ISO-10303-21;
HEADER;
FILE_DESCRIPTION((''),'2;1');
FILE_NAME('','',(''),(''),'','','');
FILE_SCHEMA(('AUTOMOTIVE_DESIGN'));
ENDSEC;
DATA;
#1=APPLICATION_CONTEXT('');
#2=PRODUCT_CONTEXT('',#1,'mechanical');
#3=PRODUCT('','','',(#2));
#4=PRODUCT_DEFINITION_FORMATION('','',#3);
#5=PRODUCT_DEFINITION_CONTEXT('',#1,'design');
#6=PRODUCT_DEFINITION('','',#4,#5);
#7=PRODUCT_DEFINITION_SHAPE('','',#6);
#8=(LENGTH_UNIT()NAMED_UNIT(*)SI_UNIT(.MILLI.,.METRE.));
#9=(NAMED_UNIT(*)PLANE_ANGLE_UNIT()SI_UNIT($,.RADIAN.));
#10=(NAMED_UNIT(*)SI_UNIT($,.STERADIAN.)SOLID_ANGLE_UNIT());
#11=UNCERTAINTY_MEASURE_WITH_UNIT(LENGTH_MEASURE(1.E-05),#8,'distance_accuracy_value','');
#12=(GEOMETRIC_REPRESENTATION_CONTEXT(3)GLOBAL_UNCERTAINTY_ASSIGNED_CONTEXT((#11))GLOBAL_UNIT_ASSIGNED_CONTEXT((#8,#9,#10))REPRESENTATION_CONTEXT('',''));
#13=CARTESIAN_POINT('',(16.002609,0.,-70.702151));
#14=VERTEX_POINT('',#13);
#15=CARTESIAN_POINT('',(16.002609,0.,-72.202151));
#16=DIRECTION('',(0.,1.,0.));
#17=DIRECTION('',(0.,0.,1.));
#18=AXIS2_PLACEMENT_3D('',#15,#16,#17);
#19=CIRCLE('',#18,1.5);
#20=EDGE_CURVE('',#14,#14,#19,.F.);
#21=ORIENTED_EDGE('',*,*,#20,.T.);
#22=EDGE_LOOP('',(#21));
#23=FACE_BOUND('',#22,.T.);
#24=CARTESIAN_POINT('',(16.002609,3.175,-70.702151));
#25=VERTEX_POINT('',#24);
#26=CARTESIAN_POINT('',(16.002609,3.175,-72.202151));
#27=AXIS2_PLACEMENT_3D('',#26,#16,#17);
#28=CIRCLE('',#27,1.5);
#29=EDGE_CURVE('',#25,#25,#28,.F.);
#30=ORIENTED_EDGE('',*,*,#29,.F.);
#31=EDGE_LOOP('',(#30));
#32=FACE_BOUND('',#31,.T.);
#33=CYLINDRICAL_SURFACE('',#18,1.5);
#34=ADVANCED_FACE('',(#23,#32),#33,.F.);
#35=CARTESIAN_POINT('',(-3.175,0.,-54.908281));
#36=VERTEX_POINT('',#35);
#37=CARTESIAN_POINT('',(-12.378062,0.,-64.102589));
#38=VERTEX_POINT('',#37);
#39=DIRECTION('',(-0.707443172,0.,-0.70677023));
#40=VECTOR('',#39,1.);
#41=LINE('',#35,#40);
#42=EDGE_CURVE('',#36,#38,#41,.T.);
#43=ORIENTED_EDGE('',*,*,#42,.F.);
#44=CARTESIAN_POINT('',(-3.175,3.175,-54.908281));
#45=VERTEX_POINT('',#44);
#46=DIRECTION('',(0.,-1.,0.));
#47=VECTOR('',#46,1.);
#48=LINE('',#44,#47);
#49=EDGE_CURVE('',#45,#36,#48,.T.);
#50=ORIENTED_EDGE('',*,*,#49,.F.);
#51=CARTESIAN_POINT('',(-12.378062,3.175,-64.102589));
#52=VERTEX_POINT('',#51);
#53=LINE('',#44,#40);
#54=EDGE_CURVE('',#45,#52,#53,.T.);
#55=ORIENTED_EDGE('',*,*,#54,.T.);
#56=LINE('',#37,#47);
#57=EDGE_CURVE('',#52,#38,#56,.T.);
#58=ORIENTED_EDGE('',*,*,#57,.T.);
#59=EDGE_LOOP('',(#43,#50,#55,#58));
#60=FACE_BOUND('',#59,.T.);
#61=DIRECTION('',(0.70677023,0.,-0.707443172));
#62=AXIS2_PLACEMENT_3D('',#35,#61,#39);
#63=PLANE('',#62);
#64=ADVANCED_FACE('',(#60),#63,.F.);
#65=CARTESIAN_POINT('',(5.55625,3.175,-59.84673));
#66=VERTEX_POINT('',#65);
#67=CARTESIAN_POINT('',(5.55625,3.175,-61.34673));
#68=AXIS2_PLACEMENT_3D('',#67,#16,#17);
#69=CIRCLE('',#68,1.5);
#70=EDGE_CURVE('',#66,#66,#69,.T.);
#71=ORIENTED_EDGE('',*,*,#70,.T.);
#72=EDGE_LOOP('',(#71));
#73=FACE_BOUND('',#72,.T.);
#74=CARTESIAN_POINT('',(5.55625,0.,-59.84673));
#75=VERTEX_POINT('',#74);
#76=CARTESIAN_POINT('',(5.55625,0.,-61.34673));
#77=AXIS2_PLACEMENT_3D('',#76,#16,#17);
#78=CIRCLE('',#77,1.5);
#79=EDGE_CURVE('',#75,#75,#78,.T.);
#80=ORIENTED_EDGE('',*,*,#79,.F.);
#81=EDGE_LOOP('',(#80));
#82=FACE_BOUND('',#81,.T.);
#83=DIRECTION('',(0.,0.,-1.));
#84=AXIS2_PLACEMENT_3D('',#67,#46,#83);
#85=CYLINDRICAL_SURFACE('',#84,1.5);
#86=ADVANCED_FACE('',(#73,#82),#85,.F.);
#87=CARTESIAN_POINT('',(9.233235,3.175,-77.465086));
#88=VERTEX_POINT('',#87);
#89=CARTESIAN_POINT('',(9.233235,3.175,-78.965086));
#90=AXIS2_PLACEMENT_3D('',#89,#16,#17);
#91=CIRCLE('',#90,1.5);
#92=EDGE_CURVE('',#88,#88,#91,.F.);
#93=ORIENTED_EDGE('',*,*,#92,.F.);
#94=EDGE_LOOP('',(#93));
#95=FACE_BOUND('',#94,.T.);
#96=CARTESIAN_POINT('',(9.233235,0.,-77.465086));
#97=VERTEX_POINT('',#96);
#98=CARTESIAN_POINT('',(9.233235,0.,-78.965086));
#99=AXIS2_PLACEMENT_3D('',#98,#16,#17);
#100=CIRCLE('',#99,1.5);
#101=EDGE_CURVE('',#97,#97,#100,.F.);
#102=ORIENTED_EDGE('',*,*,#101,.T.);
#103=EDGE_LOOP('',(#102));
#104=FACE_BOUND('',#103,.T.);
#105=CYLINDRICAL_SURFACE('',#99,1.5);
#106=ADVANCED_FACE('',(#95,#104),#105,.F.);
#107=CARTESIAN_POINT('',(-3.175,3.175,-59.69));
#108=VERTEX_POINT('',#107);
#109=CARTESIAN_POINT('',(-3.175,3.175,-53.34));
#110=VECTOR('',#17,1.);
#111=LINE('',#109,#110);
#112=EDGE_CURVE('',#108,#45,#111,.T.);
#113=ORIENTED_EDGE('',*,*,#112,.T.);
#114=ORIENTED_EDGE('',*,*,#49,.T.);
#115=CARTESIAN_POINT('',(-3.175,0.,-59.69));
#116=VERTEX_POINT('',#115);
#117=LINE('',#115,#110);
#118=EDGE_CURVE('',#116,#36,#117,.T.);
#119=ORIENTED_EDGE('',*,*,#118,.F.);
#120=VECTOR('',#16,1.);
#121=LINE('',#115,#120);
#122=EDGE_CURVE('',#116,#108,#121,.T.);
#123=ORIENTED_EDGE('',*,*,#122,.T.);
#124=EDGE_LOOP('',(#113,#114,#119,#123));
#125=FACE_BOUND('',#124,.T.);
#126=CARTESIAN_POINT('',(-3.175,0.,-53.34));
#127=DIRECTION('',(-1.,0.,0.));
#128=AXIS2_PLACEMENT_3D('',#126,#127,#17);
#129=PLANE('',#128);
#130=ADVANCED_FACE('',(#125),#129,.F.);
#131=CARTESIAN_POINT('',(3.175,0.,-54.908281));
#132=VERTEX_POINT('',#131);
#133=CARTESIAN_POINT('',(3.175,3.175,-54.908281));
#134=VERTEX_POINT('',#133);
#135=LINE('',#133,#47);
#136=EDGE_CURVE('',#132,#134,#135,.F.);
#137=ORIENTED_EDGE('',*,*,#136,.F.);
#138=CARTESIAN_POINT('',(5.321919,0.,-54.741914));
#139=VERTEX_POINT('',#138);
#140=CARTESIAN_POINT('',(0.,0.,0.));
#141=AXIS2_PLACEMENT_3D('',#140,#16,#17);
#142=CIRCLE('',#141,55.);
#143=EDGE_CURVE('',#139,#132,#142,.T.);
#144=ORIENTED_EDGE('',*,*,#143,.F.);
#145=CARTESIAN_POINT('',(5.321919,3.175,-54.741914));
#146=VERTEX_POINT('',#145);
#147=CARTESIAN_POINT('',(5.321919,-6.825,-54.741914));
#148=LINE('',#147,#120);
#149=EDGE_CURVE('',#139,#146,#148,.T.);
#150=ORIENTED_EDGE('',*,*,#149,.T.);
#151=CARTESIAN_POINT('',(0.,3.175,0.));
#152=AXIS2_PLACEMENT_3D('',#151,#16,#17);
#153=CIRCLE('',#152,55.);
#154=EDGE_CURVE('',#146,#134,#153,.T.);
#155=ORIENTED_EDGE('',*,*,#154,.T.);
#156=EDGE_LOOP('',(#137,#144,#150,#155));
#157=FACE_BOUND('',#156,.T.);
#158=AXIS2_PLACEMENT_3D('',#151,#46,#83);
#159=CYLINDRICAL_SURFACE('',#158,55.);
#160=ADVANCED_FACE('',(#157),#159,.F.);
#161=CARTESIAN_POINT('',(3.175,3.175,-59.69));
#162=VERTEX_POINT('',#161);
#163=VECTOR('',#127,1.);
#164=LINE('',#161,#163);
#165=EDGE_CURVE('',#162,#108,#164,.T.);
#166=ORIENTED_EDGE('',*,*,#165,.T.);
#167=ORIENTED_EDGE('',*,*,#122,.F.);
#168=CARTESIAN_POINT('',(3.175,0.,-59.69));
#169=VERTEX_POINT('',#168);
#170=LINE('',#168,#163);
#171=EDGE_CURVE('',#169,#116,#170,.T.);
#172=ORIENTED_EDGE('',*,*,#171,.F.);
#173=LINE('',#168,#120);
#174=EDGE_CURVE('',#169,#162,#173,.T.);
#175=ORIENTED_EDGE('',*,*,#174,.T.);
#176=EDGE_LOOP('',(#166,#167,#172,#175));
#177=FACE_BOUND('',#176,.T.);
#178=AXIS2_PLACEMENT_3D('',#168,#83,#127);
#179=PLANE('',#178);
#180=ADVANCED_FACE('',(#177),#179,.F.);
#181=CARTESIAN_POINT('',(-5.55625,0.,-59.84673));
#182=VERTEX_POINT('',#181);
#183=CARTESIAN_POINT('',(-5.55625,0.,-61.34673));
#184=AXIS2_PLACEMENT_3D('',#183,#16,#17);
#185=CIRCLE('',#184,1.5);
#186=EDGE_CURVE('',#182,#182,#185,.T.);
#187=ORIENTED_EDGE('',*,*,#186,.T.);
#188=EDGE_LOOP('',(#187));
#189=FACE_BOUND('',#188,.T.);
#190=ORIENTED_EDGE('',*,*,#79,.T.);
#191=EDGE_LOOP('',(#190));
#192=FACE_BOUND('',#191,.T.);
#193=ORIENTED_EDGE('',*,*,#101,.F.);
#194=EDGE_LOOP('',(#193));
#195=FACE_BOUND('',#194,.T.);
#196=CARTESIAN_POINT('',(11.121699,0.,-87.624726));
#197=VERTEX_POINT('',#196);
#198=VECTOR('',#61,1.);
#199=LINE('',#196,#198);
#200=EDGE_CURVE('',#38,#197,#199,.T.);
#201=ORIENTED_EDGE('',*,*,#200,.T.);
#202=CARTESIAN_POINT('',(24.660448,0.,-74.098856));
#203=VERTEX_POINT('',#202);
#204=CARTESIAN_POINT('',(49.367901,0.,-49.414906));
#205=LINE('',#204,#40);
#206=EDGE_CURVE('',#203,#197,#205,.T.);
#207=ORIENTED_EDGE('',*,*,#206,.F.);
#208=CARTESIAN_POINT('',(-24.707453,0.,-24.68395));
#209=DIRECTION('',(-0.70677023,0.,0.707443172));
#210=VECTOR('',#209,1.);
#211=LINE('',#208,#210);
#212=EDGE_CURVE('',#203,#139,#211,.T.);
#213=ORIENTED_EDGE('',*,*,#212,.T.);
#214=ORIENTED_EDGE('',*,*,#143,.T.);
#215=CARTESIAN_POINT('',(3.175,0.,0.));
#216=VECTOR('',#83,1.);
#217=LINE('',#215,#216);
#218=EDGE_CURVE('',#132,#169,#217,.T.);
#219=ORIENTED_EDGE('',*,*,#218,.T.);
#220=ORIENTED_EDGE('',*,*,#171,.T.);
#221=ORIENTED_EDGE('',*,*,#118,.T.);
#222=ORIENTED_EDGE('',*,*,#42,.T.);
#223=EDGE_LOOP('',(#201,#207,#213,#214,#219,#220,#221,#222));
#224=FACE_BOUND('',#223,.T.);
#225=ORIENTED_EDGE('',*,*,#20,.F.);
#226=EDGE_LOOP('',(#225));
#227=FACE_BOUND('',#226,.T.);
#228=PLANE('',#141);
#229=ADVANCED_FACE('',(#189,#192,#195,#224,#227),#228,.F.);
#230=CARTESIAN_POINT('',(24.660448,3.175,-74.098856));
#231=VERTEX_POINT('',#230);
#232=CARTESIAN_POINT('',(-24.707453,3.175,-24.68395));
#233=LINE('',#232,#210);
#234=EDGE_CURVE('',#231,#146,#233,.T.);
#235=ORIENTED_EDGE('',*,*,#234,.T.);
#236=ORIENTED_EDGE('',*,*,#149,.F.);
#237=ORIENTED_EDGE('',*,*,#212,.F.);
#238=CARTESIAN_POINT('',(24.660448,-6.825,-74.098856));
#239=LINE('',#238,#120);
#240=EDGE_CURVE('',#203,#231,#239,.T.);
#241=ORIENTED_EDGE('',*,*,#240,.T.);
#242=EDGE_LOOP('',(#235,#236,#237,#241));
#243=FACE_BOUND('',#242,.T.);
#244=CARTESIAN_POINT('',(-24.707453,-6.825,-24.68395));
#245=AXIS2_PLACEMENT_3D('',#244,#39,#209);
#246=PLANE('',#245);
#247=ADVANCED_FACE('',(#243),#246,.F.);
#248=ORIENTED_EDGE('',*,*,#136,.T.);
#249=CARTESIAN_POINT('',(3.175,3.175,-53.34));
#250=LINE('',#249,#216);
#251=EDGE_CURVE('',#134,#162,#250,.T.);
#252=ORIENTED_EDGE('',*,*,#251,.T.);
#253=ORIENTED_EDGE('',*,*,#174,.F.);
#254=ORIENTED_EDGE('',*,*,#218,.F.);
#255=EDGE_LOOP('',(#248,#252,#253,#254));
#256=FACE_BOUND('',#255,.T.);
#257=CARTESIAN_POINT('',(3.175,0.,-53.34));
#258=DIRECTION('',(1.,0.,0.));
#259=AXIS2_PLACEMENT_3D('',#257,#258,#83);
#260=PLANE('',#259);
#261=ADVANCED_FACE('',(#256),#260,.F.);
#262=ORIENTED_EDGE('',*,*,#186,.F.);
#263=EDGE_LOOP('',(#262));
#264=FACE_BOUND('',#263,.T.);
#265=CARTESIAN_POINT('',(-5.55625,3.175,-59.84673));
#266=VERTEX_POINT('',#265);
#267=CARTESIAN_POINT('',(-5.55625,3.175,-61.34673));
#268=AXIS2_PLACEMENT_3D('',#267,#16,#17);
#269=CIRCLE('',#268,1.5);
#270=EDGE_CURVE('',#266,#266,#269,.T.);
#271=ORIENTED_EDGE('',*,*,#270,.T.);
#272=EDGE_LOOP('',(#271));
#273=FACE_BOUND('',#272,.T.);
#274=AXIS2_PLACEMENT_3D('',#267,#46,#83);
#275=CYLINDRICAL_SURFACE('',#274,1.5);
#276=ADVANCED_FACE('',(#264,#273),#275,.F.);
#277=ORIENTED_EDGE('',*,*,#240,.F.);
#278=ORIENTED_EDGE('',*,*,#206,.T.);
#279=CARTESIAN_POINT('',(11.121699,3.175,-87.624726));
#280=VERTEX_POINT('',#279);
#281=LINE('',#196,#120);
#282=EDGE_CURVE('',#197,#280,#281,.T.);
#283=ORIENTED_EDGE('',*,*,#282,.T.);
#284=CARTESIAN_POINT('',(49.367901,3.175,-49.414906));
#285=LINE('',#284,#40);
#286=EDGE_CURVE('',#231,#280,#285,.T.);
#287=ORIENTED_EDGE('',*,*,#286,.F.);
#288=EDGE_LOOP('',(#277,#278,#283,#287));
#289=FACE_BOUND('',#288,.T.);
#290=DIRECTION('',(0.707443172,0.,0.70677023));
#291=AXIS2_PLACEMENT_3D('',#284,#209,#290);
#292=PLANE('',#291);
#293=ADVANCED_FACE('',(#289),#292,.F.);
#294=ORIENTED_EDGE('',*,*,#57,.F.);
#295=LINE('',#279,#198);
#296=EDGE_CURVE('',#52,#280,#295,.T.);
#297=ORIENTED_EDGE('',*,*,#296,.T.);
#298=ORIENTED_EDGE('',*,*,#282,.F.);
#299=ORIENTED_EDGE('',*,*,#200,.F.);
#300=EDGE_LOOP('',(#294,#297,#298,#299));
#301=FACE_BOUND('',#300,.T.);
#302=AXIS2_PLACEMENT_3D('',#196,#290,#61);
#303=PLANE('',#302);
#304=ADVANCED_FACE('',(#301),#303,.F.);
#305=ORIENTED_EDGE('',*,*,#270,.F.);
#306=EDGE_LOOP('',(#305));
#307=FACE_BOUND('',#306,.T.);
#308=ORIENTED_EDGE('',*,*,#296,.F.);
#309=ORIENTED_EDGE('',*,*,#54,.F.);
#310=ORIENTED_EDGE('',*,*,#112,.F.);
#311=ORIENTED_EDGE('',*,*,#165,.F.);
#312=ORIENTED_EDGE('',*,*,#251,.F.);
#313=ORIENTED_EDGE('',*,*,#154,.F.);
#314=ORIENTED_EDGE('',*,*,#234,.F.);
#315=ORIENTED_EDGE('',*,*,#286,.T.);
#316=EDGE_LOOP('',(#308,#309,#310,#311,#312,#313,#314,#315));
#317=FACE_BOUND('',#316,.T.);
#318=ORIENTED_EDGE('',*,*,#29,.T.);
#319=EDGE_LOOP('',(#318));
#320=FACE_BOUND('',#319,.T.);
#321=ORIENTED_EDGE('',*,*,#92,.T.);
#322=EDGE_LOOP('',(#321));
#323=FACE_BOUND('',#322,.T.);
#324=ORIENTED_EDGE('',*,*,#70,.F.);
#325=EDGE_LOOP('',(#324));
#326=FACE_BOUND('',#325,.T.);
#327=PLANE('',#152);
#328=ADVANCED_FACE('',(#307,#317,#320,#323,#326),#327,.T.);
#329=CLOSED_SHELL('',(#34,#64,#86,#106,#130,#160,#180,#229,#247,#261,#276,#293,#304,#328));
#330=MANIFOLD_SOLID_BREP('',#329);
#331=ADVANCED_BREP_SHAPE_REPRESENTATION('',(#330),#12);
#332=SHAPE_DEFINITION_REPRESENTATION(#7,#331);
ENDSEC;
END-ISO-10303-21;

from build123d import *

# Parameters (mm, degrees)
SKETCH1_R           = 1.5
SKETCH1_R_2         = 55
BOSS_EXTRUDE1_DEPTH = 3.175
CUT_EXTRUDE3_DEPTH  = 140.736059076
CUT_EXTRUDE4_START  = -10
SKETCH3_R           = 1.5
CUT_EXTRUDE4_DEPTH  = 10
CUT_EXTRUDE5_DEPTH  = 140.736059076
CUT_EXTRUDE6_DEPTH  = 140.736059076
SKETCH6_R           = 1.5
CUT_EXTRUDE7_DEPTH  = 124.953233311
SKETCH7_W           = 69.762043991
SKETCH7_H           = 61.208981149
CUT_EXTRUDE8_DEPTH  = 100


with BuildPart() as part:
    # Sketch1 → Boss-Extrude1 (new body)
    with BuildSketch(Plane(origin=(0, 0, 0), x_dir=(1, 0, 0), z_dir=(0, 1, 0))):
        Polygon((0.047005036, -98.782806148), (-98.782806148, -0.047005036), (-0.047005036, 98.782806148), (98.782806148, 0.047005036), align=None)
        with Locations(Location((-61.346730494, 5.55625, 0), (0, 0, 270))):
            Circle(SKETCH1_R, mode=Mode.SUBTRACT)
        with Locations(Location((-61.346730494, -5.55625, 0), (0, 0, 270))):
            Circle(SKETCH1_R, mode=Mode.SUBTRACT)
        with Locations(Location((-5.55625, -61.346730494, 0), (0, 0, 270))):
            Circle(SKETCH1_R, mode=Mode.SUBTRACT)
        with Locations(Location((5.55625, -61.346730494, 0), (0, 0, 270))):
            Circle(SKETCH1_R, mode=Mode.SUBTRACT)
        with Locations(Location((61.346730494, -5.55625, 0), (0, 0, 270))):
            Circle(SKETCH1_R, mode=Mode.SUBTRACT)
        with Locations(Location((61.346730494, 5.55625, 0), (0, 0, 270))):
            Circle(SKETCH1_R, mode=Mode.SUBTRACT)
        with Locations(Location((5.55625, 61.346730494, 0), (0, 0, 270))):
            Circle(SKETCH1_R, mode=Mode.SUBTRACT)
        with Locations(Location((-5.55625, 61.346730494, 0), (0, 0, 270))):
            Circle(SKETCH1_R, mode=Mode.SUBTRACT)
        with Locations(Location((0, 0, 0), (0, 0, 270))):
            Circle(SKETCH1_R_2, mode=Mode.SUBTRACT)
    extrude(amount=BOSS_EXTRUDE1_DEPTH)

    # Sketch2 → Cut-Extrude3 (cut, through all)
    with BuildSketch(Plane(origin=(0, 3.175, 0), x_dir=(1, 0, 0), z_dir=(0, 1, 0))):
        Polygon((3.175, 53.34), (3.175, 59.69), (-3.175, 59.69), (-3.175, 53.34), (-3.175, 52.244537665), (3.175, 52.244537665), align=None)
        Polygon((53.34, -3.175), (59.69, -3.175), (59.69, 3.175), (53.34, 3.175), (52.244537665, 3.175), (52.244537665, -3.175), align=None)
        Polygon((-3.175, -53.34), (-3.175, -59.69), (3.175, -59.69), (3.175, -53.34), (3.175, -52.244537665), (-3.175, -52.244537665), align=None)
        Polygon((-53.34, 3.175), (-59.69, 3.175), (-59.69, -3.175), (-53.34, -3.175), (-52.244537665, -3.175), (-52.244537665, 3.175), align=None)
    extrude(amount=-CUT_EXTRUDE3_DEPTH, mode=Mode.SUBTRACT)

    # Sketch3 → Cut-Extrude4 (cut)
    # profile 1 of 3: a face of its own
    with BuildSketch(Plane(origin=(0, 3.175, 0), x_dir=(1, 0, 0), z_dir=(0, 1, 0)).offset(CUT_EXTRUDE4_START)):
        with BuildLine():
            Line((38.872362643, 38.909374482), (49.367900556, 49.414905592))
            Line((49.367900556, 49.414905592), (24.66044776, 74.09885587))
            Line((24.66044776, 74.09885587), (5.321919094, 54.741914263))
            ThreePointArc((5.321919094, 54.741914263), (23.472344653, 49.739813394), (38.872362643, 38.909374482))
        make_face()
    # profile 2 of 3: a face of its own
    with BuildSketch(Plane(origin=(0, 3.175, 0), x_dir=(1, 0, 0), z_dir=(0, 1, 0)).offset(CUT_EXTRUDE4_START)):
        with BuildLine():
            Line((-49.367900556, -49.414905592), (-38.872362643, -38.909374482))
            ThreePointArc((-38.872362643, -38.909374482), (-49.717452606, -23.519670626), (-54.736824686, -5.374013707))
            Line((-54.736824686, -5.374013707), (-74.075353352, -24.730955314))
            Line((-74.075353352, -24.730955314), (-49.367900556, -49.414905592))
        make_face()
    # profile 3 of 3: a face of its own
    with BuildSketch(Plane(origin=(0, 3.175, 0), x_dir=(1, 0, 0), z_dir=(0, 1, 0)).offset(CUT_EXTRUDE4_START)):
        with BuildLine():
            Line((98.782806148, 0.047005036), (49.367900556, 49.414905592))
            Line((49.367900556, 49.414905592), (38.872362643, 38.909374482))
            ThreePointArc((38.872362643, 38.909374482), (50.179066182, 22.518022052), (54.908281479, 3.175))
            Line((54.908281479, 3.175), (59.69, 3.175))
            Line((59.69, 3.175), (59.69, -3.175))
            Line((59.69, -3.175), (54.908281479, -3.175))
            ThreePointArc((54.908281479, -3.175), (38.890872965, -38.890872965), (3.175, -54.908281479))
            Line((3.175, -54.908281479), (3.175, -59.69))
            Line((3.175, -59.69), (-3.175, -59.69))
            Line((-3.175, -59.69), (-3.175, -54.908281479))
            ThreePointArc((-3.175, -54.908281479), (-22.494142184, -50.189775527), (-38.872362643, -38.909374482))
            Line((-38.872362643, -38.909374482), (-49.367900556, -49.414905592))
            Line((-49.367900556, -49.414905592), (0.047005036, -98.782806148))
            Line((0.047005036, -98.782806148), (98.782806148, 0.047005036))
        make_face()
        with Locations((-5.55625, -61.346730494)):
            Circle(SKETCH3_R, mode=Mode.SUBTRACT)
        with Locations((5.55625, -61.346730494)):
            Circle(SKETCH3_R, mode=Mode.SUBTRACT)
        with Locations((61.346730494, -5.55625)):
            Circle(SKETCH3_R, mode=Mode.SUBTRACT)
        with Locations((61.346730494, 5.55625)):
            Circle(SKETCH3_R, mode=Mode.SUBTRACT)
    extrude(amount=CUT_EXTRUDE4_DEPTH, mode=Mode.SUBTRACT)

    # Sketch4 → Cut-Extrude5 (cut, through all)
    with BuildSketch(Plane(origin=(0, 3.175, 0), x_dir=(1, 0, 0), z_dir=(0, 1, 0))):
        Polygon((-54.908281479, 3.175), (-75.255419375, 23.502783048), (-23.546766486, 75.260669691), (-3.175, 54.908281479), align=None)
    extrude(amount=-CUT_EXTRUDE5_DEPTH, mode=Mode.SUBTRACT)


with BuildPart() as cut_extrude5_piece_1:
    # of the separate pieces the step leaves, piece 1, a body of its own (cut_extrude5_pieces)
    add(part.part.solids().sort_by_distance((-74.075353352, 0, 24.730955314))[0])


with BuildPart() as cut_extrude5_piece_2:
    # of the separate pieces the step leaves, piece 2, a body of its own (cut_extrude5_pieces)
    add(part.part.solids().sort_by_distance((-3.175, 0, -54.908281479))[0])


with BuildPart() as cut_extrude6_tool:
    # Sketch5 → Cut-Extrude6 (new, through all)
    with BuildSketch(Plane(origin=(0, 3.175, 0), x_dir=(1, 0, 0), z_dir=(0, 1, 0))):
        Polygon((-0.047005036, 98.782806148), (11.121699276, 87.624725864), (-87.614101836, -11.205085321), (-98.782806148, -0.047005036), align=None)
    extrude(amount=-CUT_EXTRUDE6_DEPTH)


with BuildPart() as cut_extrude5_piece_1_1:
    add(cut_extrude5_piece_1.part)

    # Cut-Extrude6: cut by cut_extrude6_tool
    add(cut_extrude6_tool.part, mode=Mode.SUBTRACT)


with BuildPart() as cut_extrude5_piece_2_1:
    add(cut_extrude5_piece_2.part)

    # Cut-Extrude6: cut by cut_extrude6_tool
    add(cut_extrude6_tool.part, mode=Mode.SUBTRACT)


with BuildPart() as cut_extrude7_tool:
    # Sketch6 → Cut-Extrude7 (new, through all)
    with BuildSketch(Plane(origin=(0, 3.175, 0), x_dir=(1, 0, 0), z_dir=(0, 1, 0))):
        with BuildLine():
            ThreePointArc((-73.220428508, -14.983508678), (-73.219419094, -17.104828781), (-71.09809899, -17.103819368))
            Line((-71.09809899, -17.103819368), (-73.220428508, -14.983508678))
        make_face()
        with BuildLine():
            Line((-73.220428508, -14.983508678), (-71.09809899, -17.103819368))
            ThreePointArc((-71.09809899, -17.103819368), (-70.773307917, -16.617359439), (-70.659263749, -16.043664023))
            ThreePointArc((-70.659263749, -16.043664023), (-71.585568332, -14.657708191), (-73.220428508, -14.983508678))
        make_face()
        with BuildLine():
            ThreePointArc((-79.989802749, -8.220573681), (-79.988793336, -10.341893785), (-77.867473232, -10.340884371))
            Line((-77.867473232, -10.340884371), (-79.989802749, -8.220573681))
        make_face()
        with BuildLine():
            Line((-79.989802749, -8.220573681), (-77.867473232, -10.340884371))
            ThreePointArc((-77.867473232, -10.340884371), (-77.542682159, -9.854424443), (-77.428637991, -9.280729026))
            ThreePointArc((-77.428637991, -9.280729026), (-78.354942574, -7.894773194), (-79.989802749, -8.220573681))
        make_face()
        with Locations(Location((16.002609239, 72.202151202, 0), (0, 0, 270))):
            Circle(SKETCH6_R)
        with Locations(Location((9.233234997, 78.965086199, 0), (0, 0, 270))):
            Circle(SKETCH6_R)
    extrude(amount=-CUT_EXTRUDE7_DEPTH)


with BuildPart() as cut_extrude5_piece_1_2:
    add(cut_extrude5_piece_1_1.part)

    # Cut-Extrude7: cut by cut_extrude7_tool
    add(cut_extrude7_tool.part, mode=Mode.SUBTRACT)

    # Sketch7 → Cut-Extrude8 (cut)
    with BuildSketch(Plane(origin=(-49.367900556, 0, 49.414905592), x_dir=(0.7074431724013648, 0, 0.7067702298644821), z_dir=(-0.7067702298644821, 0, 0.7074431724013648))):
        with Locations((-46.400178309, 4.239305035)):
            Rectangle(SKETCH7_W, SKETCH7_H)
    extrude(amount=-CUT_EXTRUDE8_DEPTH, mode=Mode.SUBTRACT)


with BuildPart() as cut_extrude5_piece_2_2:
    add(cut_extrude5_piece_2_1.part)

    # Cut-Extrude7: cut by cut_extrude7_tool
    add(cut_extrude7_tool.part, mode=Mode.SUBTRACT)


solid = cut_extrude5_piece_2_2.part
